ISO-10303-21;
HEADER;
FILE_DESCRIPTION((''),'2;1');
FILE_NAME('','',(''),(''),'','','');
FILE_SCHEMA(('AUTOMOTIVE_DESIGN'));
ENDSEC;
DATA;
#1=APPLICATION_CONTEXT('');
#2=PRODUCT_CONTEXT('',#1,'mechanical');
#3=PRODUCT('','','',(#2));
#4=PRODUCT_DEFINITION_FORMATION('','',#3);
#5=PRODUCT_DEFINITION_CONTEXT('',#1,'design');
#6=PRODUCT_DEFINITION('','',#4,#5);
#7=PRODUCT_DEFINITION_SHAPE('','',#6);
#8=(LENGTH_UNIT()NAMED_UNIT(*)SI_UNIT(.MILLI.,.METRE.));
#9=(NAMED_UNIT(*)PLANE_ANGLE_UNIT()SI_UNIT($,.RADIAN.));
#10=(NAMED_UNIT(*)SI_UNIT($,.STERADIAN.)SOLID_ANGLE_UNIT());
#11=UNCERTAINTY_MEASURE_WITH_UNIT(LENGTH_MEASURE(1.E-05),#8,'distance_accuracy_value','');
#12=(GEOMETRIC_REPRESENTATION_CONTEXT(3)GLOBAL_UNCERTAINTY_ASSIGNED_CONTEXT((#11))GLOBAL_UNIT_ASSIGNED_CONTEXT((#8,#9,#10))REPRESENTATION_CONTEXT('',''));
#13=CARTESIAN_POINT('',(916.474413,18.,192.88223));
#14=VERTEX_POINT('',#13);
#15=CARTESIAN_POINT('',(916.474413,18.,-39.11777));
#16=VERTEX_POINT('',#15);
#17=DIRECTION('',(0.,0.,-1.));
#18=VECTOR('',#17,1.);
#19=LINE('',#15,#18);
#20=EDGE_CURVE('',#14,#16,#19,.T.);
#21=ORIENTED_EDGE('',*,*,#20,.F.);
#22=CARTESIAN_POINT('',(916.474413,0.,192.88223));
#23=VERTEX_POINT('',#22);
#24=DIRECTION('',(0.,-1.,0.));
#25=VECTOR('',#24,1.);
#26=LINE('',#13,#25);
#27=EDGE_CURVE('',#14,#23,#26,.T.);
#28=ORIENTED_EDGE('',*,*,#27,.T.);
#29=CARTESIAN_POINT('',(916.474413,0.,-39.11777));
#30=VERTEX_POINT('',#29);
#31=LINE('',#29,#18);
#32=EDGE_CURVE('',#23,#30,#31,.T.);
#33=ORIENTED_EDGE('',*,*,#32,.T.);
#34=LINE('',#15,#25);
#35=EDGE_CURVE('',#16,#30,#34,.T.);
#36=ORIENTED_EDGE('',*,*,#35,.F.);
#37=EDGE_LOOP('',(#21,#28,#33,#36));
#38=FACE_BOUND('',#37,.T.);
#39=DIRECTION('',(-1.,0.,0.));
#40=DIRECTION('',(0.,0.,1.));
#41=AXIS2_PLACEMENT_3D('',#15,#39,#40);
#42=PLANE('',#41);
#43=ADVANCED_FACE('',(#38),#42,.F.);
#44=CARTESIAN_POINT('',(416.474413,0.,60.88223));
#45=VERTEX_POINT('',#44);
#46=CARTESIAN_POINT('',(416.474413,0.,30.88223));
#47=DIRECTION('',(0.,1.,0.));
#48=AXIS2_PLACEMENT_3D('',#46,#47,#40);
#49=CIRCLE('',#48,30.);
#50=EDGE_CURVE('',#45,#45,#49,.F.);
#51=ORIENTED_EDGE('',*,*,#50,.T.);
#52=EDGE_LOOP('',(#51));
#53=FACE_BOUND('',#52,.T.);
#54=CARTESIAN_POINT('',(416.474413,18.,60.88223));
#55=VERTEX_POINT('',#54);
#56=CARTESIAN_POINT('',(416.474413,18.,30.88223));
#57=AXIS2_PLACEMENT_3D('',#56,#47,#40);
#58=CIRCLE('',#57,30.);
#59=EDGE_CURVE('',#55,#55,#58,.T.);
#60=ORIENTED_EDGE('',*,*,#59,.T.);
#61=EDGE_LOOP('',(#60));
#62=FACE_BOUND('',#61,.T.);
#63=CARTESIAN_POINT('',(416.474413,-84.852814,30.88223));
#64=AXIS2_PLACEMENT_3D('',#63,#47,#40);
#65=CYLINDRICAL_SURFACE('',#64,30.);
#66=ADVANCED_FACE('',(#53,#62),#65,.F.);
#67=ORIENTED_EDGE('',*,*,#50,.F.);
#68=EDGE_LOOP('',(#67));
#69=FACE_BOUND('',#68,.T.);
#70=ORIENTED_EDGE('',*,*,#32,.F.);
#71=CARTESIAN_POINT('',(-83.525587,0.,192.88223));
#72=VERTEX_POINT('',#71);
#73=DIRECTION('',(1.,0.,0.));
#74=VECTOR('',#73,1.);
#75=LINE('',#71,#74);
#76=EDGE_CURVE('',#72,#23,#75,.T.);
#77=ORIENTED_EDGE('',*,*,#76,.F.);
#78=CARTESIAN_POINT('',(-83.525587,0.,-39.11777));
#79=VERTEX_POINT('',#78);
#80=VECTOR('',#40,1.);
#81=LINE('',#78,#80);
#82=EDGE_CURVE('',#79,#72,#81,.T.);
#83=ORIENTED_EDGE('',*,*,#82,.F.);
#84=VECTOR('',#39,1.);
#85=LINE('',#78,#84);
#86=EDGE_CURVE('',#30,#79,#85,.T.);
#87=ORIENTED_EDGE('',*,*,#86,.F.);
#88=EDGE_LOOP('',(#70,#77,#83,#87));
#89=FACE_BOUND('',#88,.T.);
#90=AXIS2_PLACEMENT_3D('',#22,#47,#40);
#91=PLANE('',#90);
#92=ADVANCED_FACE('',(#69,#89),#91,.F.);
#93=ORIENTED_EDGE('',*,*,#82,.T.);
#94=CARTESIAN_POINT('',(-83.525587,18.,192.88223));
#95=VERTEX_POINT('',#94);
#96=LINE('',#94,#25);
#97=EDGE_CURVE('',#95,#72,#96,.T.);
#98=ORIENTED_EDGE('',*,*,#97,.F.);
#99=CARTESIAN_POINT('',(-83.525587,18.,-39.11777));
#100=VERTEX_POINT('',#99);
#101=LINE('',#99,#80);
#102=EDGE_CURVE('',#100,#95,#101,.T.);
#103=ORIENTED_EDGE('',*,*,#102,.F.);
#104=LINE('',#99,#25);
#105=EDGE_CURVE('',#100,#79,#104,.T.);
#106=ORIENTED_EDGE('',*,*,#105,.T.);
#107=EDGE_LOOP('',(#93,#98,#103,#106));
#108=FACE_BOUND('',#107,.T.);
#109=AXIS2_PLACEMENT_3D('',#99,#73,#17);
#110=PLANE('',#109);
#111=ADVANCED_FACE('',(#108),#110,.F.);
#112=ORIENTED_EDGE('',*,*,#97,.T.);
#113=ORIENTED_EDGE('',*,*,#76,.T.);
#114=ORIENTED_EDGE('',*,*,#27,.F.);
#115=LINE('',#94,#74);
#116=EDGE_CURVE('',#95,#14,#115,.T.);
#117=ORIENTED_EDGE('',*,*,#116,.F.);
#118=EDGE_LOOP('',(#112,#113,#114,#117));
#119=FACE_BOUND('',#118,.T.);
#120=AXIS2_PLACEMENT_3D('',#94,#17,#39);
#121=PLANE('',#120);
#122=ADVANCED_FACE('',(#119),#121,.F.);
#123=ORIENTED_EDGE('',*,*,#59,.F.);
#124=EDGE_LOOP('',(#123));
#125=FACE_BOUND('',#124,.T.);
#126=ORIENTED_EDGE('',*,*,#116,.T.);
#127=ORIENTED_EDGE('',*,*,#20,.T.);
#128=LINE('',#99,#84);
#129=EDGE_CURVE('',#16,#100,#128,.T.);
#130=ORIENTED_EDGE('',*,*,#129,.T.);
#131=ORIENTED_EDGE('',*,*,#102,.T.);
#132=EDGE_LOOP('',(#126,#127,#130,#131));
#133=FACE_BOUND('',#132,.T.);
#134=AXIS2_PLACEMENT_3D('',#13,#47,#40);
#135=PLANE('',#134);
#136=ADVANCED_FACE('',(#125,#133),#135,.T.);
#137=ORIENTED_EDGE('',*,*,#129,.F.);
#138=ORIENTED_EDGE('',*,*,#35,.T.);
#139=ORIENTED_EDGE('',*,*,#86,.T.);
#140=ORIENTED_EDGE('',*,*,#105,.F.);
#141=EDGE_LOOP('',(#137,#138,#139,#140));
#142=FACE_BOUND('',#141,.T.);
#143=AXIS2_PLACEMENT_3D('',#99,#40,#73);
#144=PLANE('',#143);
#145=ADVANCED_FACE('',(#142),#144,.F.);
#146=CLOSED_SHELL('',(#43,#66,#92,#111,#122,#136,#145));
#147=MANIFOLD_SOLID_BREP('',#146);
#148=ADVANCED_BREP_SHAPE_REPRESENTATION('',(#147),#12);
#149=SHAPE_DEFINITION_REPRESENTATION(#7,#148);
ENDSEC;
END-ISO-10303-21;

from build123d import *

# Parameters (mm, degrees)
SKETCH1_W           = 1000
SKETCH1_H           = 232
BOSS_EXTRUDE1_DEPTH = 18
SKETCH2_R           = 30
CUT_EXTRUDE1_DEPTH  = 18


with BuildPart() as part:
    # Sketch1 → Boss-Extrude1 (new body)
    with BuildSketch(Plane(origin=(0, 0, 0), x_dir=(1, 0, 0), z_dir=(0, 1, 0))):
        with Locations((416.474412506, -76.882229965)):
            Rectangle(SKETCH1_W, SKETCH1_H)
    extrude(amount=BOSS_EXTRUDE1_DEPTH)

    # Sketch2 → Cut-Extrude1 (cut)
    with BuildSketch(Plane(origin=(0, 18, 0), x_dir=(1, 0, 0), z_dir=(0, 1, 0))):
        with Locations((416.474412506, -30.882229965)):
            Circle(SKETCH2_R)
    extrude(amount=-CUT_EXTRUDE1_DEPTH, mode=Mode.SUBTRACT)


solid = part.part
